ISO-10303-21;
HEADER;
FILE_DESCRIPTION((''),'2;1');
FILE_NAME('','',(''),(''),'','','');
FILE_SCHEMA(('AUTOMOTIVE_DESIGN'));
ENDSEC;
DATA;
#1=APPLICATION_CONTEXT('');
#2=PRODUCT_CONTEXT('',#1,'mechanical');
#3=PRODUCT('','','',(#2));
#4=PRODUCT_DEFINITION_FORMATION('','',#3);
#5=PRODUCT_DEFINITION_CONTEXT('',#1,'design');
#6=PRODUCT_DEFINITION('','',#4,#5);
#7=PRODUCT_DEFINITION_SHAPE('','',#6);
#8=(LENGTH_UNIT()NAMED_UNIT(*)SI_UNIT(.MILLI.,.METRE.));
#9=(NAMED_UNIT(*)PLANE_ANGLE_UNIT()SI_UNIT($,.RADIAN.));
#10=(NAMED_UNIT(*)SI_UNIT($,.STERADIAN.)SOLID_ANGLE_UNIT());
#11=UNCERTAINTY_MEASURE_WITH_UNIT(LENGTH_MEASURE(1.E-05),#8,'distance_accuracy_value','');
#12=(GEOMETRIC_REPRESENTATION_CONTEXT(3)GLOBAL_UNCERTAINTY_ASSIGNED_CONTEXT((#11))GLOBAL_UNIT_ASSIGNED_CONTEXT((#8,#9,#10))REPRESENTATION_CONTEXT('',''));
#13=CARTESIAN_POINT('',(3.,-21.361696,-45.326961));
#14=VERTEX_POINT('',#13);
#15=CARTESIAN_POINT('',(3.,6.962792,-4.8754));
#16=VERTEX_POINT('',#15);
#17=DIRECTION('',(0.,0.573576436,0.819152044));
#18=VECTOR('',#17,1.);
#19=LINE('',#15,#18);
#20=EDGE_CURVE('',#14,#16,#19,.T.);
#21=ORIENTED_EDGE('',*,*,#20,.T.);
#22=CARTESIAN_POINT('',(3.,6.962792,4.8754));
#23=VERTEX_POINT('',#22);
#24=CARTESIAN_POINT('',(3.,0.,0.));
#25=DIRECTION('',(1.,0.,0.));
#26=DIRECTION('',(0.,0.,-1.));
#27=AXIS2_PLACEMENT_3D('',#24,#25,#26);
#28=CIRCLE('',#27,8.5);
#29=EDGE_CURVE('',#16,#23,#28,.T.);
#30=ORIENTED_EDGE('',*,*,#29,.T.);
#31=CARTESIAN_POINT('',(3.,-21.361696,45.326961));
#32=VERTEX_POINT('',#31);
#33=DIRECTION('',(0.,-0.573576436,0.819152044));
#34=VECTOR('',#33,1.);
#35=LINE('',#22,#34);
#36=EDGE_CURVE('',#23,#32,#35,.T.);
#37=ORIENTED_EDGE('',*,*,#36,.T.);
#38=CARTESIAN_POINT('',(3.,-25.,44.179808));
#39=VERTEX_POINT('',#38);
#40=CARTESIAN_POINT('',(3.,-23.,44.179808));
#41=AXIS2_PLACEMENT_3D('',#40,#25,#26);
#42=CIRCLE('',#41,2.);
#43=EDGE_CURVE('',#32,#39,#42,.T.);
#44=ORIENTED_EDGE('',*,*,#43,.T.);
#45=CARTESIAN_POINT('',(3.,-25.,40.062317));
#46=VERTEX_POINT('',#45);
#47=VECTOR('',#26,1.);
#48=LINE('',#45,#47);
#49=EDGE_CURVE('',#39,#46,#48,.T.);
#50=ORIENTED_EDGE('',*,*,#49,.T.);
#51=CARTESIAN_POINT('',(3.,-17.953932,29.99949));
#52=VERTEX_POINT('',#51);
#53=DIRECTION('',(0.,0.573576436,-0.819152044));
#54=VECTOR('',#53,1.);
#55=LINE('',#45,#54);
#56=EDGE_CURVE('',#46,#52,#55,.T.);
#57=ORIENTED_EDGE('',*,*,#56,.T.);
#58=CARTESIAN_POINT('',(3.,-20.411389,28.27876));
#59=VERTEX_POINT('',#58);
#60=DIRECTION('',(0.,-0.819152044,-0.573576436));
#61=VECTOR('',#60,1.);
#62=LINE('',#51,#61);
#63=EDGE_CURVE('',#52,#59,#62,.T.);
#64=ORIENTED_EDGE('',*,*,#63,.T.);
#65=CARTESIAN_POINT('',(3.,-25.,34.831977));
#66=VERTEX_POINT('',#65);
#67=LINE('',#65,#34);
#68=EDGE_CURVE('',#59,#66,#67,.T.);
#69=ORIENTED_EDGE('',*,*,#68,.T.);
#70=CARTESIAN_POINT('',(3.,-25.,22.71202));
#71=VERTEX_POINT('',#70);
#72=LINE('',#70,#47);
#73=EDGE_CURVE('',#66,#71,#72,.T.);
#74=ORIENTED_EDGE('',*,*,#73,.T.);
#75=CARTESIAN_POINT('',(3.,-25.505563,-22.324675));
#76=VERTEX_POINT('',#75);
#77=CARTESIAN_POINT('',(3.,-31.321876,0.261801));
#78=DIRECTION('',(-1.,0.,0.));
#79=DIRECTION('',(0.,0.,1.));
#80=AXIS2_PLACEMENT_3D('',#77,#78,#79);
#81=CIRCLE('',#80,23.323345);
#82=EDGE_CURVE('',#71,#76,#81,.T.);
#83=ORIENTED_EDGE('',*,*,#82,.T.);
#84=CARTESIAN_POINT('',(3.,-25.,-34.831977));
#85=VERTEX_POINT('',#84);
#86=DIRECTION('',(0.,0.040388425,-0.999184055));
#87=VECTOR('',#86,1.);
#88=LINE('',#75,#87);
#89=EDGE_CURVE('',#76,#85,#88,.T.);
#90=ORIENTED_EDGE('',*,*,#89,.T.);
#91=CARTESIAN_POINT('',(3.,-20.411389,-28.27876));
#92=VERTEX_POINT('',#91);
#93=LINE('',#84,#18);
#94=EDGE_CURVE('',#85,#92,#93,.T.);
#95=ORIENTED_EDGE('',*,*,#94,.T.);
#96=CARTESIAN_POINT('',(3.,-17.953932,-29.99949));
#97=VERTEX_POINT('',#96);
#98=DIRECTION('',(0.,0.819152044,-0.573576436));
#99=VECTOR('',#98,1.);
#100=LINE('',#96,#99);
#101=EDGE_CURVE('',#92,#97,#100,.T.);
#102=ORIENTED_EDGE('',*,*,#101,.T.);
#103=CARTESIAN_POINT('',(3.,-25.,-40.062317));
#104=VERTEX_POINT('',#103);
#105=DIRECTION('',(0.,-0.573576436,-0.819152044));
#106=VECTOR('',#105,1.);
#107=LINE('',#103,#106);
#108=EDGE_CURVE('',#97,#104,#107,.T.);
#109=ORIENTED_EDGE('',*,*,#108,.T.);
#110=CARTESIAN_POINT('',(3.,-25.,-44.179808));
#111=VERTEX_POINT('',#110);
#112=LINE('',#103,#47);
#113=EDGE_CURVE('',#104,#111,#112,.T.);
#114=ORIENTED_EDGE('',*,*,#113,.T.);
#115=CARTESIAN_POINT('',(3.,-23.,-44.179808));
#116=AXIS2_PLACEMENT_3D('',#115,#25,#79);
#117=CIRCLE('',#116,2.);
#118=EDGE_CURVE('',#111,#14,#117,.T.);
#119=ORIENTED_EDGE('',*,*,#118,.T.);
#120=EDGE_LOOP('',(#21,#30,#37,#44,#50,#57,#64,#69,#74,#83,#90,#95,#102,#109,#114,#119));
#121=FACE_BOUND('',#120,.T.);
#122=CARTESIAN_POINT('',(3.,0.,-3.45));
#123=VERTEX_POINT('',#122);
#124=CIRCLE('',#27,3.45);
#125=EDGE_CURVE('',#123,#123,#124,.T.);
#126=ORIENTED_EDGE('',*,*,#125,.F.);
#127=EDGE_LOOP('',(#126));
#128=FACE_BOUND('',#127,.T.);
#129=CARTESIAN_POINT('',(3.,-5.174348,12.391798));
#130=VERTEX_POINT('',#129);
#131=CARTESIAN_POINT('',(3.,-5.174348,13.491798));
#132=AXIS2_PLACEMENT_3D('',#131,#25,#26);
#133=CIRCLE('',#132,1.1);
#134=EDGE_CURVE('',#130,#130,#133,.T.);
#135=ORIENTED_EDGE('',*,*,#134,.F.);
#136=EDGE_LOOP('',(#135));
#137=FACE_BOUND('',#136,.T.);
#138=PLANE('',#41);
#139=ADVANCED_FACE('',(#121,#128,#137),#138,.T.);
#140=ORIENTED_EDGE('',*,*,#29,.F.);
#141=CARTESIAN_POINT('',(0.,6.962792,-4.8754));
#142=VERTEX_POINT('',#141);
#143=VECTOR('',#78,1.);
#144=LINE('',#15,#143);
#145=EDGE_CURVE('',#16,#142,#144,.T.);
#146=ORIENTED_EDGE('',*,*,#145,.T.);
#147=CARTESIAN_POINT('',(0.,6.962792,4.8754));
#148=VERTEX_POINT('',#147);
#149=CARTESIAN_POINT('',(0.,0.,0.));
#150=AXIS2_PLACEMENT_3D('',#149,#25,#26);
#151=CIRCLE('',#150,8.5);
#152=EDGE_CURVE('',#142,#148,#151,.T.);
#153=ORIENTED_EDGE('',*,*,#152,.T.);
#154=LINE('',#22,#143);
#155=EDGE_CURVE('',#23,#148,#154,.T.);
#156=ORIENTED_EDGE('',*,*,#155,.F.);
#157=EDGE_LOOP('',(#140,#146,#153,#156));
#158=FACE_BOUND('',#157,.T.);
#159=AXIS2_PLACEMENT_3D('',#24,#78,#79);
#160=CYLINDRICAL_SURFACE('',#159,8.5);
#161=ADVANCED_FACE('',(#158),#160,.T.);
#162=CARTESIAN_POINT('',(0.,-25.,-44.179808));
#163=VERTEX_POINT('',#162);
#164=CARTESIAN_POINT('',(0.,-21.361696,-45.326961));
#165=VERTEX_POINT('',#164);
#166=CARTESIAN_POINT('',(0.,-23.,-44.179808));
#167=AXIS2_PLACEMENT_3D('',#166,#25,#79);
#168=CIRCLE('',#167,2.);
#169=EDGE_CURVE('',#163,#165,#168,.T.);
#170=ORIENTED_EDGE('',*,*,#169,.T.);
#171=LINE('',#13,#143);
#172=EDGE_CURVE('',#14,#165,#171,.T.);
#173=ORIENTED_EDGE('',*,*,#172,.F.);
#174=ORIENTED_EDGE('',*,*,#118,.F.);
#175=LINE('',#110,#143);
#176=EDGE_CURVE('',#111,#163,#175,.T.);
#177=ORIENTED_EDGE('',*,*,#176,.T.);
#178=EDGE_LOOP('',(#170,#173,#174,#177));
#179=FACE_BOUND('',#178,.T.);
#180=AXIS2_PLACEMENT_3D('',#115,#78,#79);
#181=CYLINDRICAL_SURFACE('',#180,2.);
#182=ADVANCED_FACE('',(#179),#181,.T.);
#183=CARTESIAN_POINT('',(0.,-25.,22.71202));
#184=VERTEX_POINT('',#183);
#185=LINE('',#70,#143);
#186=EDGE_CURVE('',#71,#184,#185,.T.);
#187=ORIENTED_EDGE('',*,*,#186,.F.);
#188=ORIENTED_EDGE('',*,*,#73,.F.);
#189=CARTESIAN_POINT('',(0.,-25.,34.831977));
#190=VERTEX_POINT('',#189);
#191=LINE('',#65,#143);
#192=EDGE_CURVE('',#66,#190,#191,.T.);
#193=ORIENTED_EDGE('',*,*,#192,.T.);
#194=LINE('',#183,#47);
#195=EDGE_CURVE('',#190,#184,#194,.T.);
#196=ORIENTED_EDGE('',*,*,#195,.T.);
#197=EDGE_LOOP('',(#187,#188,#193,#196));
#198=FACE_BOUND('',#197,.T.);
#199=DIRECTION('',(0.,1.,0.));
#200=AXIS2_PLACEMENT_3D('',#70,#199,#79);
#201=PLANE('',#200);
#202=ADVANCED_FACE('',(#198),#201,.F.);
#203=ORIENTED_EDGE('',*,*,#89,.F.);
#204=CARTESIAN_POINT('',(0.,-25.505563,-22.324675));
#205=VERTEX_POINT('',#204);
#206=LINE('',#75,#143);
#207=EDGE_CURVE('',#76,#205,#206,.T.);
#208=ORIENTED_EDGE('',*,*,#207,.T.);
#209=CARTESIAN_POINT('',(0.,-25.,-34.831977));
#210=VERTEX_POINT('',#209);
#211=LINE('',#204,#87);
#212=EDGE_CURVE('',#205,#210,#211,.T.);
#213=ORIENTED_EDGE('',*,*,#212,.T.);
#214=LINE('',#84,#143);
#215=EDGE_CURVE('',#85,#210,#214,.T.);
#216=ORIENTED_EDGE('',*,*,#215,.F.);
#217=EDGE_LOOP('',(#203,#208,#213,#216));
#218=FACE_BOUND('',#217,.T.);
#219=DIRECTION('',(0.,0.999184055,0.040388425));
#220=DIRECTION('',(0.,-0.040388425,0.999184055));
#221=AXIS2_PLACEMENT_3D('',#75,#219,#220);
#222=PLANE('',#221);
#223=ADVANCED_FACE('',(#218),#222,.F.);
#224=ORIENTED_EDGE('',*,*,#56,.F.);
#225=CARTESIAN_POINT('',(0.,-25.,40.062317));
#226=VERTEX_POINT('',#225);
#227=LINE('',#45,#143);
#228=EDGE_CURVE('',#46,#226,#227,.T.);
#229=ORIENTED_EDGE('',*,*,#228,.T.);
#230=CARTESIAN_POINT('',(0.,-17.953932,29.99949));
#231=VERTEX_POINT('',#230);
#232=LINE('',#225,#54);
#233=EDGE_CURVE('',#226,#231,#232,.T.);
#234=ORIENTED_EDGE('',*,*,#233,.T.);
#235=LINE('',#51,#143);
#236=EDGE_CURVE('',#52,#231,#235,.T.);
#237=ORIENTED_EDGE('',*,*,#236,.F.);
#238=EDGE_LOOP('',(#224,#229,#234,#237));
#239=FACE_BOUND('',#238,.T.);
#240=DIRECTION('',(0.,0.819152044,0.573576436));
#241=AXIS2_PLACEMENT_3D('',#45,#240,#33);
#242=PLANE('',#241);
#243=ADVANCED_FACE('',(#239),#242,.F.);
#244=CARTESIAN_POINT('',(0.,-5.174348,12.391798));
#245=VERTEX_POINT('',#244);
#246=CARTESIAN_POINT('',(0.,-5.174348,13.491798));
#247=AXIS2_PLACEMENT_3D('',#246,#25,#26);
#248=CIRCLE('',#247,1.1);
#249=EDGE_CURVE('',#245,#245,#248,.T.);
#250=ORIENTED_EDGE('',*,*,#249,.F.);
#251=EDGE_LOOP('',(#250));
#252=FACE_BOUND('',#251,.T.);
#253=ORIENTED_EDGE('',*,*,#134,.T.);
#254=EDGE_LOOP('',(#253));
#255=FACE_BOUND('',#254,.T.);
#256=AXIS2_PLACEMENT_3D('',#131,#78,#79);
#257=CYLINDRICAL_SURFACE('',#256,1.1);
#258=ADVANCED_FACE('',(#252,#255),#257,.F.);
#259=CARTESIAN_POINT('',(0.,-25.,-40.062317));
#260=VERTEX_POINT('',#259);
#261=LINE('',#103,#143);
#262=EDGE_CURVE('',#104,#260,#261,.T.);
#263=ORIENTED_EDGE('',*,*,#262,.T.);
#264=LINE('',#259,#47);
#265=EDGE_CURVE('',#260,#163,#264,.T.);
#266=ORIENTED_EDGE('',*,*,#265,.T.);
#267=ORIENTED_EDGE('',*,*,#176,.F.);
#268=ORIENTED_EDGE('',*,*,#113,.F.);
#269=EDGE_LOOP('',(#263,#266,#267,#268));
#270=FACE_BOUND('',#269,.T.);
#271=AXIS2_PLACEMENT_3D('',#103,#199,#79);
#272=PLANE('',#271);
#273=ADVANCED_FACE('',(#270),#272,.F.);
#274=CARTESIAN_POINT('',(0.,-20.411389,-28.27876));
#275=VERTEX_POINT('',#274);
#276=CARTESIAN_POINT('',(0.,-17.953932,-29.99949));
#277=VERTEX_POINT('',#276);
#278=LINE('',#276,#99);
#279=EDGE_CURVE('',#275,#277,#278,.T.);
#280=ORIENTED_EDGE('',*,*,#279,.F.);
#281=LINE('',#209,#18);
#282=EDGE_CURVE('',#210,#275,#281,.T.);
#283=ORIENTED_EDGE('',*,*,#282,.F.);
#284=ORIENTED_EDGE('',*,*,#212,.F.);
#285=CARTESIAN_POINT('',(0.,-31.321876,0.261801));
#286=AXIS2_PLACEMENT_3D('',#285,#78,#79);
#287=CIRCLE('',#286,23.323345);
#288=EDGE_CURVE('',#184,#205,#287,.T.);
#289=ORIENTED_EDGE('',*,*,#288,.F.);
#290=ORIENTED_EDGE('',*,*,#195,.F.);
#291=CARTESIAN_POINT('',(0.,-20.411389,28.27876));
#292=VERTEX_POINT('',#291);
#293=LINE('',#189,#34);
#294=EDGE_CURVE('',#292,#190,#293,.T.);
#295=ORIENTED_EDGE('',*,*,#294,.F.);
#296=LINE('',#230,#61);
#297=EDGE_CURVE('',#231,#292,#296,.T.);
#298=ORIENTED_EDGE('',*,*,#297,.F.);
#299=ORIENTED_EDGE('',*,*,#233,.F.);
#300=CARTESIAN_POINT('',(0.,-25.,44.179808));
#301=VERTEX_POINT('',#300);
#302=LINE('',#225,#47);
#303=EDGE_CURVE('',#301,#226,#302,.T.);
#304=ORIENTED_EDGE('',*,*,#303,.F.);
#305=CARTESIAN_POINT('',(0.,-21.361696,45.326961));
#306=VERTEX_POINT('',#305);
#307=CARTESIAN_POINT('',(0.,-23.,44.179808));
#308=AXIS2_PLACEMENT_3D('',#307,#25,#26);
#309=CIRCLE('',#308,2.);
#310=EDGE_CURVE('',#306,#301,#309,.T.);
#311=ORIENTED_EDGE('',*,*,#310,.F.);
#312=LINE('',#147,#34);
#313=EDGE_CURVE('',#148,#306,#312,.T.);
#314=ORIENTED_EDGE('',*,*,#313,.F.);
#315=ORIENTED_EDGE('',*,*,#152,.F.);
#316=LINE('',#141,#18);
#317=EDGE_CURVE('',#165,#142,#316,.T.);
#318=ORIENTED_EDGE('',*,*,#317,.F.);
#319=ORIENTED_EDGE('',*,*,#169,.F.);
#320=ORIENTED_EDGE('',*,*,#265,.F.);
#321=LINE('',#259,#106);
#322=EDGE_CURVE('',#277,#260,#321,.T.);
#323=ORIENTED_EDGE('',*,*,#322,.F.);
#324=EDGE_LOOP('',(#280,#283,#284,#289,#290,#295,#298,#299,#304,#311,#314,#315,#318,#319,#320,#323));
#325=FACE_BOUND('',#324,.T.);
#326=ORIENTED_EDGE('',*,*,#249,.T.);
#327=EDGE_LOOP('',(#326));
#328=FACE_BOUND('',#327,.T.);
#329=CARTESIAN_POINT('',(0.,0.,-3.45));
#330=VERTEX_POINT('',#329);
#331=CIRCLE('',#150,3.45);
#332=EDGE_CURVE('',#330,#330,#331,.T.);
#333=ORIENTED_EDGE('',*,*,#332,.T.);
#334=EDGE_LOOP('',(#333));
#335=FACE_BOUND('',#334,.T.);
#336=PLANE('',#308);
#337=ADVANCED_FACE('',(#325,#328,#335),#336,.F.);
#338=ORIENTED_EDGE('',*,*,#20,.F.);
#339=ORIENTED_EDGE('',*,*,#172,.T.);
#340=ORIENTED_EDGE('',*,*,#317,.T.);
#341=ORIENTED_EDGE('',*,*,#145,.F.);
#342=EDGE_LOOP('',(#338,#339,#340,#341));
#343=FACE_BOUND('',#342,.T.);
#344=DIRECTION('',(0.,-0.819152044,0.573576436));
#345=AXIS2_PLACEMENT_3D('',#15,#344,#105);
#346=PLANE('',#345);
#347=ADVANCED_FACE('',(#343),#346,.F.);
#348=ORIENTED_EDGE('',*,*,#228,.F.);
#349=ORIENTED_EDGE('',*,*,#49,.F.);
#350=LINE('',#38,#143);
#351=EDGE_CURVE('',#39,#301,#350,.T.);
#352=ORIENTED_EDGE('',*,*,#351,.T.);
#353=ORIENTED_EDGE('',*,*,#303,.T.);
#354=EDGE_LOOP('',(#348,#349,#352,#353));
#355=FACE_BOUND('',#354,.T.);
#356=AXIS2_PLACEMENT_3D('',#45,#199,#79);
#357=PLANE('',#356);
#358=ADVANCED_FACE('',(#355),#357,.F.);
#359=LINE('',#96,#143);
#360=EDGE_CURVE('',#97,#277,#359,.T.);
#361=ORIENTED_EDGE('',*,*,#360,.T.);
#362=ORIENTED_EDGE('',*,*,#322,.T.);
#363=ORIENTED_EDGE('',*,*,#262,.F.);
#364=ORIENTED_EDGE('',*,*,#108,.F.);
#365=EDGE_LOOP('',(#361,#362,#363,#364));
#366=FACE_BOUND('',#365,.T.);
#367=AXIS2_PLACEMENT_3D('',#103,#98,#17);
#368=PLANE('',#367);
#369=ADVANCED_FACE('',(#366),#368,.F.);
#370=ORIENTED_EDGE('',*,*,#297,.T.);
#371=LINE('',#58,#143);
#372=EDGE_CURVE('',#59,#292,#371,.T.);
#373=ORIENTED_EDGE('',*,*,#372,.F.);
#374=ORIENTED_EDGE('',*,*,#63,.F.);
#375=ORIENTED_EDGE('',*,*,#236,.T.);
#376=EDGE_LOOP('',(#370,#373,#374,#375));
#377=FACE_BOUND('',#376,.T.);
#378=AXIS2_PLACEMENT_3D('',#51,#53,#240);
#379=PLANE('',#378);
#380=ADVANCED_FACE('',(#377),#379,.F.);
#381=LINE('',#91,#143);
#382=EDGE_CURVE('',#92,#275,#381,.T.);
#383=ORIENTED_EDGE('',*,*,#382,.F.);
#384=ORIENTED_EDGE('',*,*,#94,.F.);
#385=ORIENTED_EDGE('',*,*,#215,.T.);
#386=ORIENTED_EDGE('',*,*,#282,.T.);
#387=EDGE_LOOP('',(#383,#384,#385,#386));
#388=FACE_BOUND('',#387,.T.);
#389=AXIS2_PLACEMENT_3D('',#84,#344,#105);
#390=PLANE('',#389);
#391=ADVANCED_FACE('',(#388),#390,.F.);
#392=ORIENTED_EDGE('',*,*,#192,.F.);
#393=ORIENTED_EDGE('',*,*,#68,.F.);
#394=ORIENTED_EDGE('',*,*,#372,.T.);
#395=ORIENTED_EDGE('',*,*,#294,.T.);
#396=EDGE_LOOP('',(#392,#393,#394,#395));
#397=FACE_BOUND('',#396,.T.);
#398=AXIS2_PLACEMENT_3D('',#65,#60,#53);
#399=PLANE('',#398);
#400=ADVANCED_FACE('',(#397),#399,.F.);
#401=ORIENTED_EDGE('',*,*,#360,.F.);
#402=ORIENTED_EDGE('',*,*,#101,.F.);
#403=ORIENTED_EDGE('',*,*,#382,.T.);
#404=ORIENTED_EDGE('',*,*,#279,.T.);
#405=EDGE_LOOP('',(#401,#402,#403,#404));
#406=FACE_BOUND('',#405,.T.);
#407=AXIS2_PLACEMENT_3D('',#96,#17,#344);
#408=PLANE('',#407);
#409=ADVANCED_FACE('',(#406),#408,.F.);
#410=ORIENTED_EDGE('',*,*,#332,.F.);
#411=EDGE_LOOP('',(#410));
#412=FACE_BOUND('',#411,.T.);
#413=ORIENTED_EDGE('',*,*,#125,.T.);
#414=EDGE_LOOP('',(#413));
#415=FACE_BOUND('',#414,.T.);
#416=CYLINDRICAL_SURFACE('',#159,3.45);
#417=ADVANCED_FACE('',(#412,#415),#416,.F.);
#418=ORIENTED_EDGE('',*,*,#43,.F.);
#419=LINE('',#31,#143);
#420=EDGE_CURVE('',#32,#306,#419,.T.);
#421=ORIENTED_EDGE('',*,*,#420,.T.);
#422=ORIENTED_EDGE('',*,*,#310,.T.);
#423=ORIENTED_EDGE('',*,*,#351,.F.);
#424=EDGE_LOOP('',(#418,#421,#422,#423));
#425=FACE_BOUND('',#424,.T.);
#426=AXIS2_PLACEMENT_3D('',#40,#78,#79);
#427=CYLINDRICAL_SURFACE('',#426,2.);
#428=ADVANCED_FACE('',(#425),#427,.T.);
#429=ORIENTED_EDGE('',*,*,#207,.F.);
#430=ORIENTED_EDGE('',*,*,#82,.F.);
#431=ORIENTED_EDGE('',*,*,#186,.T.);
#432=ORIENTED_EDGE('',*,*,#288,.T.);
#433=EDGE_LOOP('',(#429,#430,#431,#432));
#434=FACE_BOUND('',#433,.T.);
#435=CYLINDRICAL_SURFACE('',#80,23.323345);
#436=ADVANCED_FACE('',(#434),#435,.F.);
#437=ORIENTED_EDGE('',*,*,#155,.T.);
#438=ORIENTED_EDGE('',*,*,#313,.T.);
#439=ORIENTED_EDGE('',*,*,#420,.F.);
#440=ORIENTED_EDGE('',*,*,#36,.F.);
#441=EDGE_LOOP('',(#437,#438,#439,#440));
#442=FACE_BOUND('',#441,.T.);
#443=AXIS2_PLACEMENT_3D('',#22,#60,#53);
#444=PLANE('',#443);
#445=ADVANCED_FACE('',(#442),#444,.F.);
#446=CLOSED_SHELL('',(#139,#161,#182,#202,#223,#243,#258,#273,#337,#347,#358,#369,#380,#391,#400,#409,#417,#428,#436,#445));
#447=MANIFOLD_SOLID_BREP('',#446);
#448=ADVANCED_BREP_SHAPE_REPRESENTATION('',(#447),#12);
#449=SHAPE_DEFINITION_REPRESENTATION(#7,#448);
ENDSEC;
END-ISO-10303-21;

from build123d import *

# Parameters (mm, degrees)
SKETCH1_R           = 3.45
SKETCH1_R_2         = 1.1
BOSS_EXTRUDE1_DEPTH = 3


with BuildPart() as part:
    # Sketch1 → Boss-Extrude1 (new body)
    with BuildSketch(Plane(origin=(0, 0, 0), x_dir=(0, 0, -1), z_dir=(1, 0, 0))):
        with BuildLine():
            Line((-4.875399709, 6.962792376), (-45.326961199, -21.361695911))
            ThreePointArc((-45.326961199, -21.361695911), (-46.087242228, -23.601411599), (-44.179808327, -25))
            Line((-44.179808327, -25), (-40.062317158, -25))
            Line((-40.062317158, -25), (-29.999489725, -17.953932376))
            Line((-29.999489725, -17.953932376), (-28.278760416, -20.411388509))
            Line((-28.278760416, -20.411388509), (-34.831976771, -25))
            Line((-34.831976771, -25), (-22.712020043, -25))
            ThreePointArc((-22.712020043, -25), (0, -8), (22.324675322, -25.505562722))
            Line((22.324675322, -25.505562722), (34.831976771, -25))
            Line((34.831976771, -25), (28.278760416, -20.411388509))
            Line((28.278760416, -20.411388509), (29.999489725, -17.953932376))
            Line((29.999489725, -17.953932376), (40.062317158, -25))
            Line((40.062317158, -25), (44.179808327, -25))
            ThreePointArc((44.179808327, -25), (46.087242228, -23.601411599), (45.326961199, -21.361695911))
            Line((45.326961199, -21.361695911), (4.875399709, 6.962792376))
            ThreePointArc((4.875399709, 6.962792376), (0, 8.5), (-4.875399709, 6.962792376))
        make_face()
        Circle(SKETCH1_R, mode=Mode.SUBTRACT)
        with Locations((-13.491798398, -5.174347881)):
            Circle(SKETCH1_R_2, mode=Mode.SUBTRACT)
    extrude(amount=BOSS_EXTRUDE1_DEPTH)


solid = part.part
